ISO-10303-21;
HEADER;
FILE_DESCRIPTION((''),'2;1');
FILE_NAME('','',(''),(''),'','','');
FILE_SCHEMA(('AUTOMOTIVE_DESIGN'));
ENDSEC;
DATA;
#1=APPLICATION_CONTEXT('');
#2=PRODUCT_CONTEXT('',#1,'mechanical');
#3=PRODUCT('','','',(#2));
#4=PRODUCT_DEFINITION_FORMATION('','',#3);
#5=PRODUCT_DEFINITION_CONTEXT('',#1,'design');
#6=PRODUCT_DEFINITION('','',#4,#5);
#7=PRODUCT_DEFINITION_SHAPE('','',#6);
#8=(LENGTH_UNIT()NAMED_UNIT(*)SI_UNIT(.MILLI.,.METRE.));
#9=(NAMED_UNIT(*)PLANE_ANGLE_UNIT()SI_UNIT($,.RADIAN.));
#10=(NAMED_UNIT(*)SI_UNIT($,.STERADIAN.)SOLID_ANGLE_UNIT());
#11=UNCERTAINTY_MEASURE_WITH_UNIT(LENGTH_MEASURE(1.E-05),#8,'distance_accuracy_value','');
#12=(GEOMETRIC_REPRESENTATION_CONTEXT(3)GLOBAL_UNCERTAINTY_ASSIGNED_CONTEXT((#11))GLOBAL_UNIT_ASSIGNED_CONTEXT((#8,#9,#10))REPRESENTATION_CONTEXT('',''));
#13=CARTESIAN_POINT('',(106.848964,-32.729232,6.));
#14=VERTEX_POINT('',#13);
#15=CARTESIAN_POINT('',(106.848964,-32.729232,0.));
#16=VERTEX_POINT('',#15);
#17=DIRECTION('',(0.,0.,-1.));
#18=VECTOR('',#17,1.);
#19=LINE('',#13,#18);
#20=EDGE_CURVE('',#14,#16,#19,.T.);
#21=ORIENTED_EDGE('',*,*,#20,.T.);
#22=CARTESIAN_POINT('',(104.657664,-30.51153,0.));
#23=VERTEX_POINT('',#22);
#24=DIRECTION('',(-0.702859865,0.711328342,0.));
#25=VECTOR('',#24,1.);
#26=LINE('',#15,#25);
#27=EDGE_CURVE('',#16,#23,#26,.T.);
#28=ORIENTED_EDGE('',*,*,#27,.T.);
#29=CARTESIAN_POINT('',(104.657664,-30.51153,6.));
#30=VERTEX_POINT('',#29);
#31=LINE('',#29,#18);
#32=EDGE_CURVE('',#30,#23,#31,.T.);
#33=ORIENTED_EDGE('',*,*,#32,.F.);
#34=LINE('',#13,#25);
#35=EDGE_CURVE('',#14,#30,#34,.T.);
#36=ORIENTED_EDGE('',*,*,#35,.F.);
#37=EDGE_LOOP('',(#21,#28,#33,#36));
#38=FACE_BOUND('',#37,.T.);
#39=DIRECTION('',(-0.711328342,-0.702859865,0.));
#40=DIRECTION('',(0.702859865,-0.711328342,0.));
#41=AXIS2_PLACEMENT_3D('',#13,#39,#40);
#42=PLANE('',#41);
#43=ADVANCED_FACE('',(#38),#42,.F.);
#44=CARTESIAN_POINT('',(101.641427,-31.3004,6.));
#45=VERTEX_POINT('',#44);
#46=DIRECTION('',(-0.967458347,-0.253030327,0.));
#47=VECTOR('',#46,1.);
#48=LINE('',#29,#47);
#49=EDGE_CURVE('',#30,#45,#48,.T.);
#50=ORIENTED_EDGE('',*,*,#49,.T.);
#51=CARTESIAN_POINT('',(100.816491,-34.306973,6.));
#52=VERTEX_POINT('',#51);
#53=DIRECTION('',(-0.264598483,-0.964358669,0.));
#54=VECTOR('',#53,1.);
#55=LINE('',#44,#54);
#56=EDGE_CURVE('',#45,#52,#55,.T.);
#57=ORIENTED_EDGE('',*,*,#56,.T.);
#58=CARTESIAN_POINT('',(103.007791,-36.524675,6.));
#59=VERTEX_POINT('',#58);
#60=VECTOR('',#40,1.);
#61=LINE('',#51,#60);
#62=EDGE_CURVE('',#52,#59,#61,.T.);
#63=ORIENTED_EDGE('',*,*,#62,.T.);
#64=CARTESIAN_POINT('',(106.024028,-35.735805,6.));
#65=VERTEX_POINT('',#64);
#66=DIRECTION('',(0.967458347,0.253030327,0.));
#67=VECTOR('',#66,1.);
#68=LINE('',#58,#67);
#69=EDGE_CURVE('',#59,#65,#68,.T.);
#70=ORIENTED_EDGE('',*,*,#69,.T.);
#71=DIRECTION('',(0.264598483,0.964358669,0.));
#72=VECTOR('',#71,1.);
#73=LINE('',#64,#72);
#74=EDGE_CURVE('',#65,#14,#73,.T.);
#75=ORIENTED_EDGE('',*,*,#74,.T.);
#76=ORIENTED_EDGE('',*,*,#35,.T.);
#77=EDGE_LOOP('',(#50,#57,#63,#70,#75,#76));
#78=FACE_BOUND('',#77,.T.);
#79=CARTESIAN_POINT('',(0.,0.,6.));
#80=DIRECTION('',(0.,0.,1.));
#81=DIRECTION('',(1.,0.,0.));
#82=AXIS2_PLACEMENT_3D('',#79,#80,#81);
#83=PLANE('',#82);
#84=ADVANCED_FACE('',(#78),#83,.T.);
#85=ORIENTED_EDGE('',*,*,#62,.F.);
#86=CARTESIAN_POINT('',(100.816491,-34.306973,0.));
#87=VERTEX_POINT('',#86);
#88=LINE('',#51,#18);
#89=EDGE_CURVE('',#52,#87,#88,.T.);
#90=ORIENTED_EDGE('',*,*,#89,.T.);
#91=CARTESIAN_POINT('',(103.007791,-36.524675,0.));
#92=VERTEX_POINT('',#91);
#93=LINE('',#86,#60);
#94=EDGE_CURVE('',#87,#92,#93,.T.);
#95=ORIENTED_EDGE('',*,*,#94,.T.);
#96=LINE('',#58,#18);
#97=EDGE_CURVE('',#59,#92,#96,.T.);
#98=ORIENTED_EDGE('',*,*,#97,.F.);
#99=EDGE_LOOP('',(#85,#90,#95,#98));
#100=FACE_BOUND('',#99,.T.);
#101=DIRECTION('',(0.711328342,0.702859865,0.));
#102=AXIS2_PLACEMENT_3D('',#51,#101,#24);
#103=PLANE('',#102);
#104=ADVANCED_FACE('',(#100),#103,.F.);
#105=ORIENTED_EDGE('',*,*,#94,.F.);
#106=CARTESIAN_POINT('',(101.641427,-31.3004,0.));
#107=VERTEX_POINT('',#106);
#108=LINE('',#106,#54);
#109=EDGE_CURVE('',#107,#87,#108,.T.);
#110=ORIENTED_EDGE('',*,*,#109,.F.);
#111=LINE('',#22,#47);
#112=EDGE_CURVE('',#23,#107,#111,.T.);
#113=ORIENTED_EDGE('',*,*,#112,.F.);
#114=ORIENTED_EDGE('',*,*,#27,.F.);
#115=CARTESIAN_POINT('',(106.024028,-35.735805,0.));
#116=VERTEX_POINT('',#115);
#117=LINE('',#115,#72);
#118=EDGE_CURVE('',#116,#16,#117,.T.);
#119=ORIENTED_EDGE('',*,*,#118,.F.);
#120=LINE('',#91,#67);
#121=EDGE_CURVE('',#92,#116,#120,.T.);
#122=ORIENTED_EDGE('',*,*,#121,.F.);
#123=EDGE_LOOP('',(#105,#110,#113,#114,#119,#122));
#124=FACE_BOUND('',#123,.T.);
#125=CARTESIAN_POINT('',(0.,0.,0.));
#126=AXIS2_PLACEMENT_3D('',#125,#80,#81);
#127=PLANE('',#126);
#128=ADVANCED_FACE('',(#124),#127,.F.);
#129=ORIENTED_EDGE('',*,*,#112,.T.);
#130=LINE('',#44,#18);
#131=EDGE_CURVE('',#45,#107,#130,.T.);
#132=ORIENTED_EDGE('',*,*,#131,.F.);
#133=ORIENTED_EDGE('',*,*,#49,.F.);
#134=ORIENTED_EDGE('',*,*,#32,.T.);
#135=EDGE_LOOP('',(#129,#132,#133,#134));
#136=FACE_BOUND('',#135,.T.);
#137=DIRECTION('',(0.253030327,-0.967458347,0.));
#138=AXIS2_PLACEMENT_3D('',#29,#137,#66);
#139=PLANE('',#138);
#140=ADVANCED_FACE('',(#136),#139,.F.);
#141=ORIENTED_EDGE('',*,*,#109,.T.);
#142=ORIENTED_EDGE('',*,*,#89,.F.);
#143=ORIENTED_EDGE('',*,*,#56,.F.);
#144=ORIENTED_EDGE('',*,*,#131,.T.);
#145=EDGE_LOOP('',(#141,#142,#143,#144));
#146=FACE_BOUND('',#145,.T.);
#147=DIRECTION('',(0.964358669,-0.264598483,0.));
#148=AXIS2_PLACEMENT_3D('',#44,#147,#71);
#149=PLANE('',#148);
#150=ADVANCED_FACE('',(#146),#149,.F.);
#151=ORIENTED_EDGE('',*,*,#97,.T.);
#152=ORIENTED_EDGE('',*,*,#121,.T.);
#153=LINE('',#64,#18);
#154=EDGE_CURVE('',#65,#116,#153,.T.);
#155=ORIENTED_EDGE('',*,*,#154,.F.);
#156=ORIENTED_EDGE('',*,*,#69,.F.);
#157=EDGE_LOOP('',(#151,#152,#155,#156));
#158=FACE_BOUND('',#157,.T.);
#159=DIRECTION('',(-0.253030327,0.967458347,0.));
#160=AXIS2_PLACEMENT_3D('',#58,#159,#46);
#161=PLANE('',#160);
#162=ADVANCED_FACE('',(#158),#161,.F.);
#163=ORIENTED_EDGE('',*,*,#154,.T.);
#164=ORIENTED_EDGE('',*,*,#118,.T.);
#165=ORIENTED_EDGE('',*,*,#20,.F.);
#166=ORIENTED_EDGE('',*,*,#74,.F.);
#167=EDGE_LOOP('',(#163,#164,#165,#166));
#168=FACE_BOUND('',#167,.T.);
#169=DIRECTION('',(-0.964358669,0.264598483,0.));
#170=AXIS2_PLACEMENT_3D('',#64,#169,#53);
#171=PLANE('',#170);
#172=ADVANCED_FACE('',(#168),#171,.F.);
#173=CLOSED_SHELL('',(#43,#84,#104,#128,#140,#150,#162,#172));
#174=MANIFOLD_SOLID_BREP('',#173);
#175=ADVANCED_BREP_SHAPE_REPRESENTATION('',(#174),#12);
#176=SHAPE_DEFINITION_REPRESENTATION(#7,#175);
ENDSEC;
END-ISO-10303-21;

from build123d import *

# Parameters (mm, degrees)
BOSS_EXTRUDE1_DEPTH = 6


with BuildPart() as part:
    # Sketch1 → Boss-Extrude1 (new body)
    with BuildSketch(Plane.XY):
        Polygon((104.657663983, -30.511529553), (101.641427362, -31.300400041), (100.816490934, -34.306972822), (103.007791127, -36.524675116), (106.024027748, -35.735804628), (106.848964176, -32.729231847), align=None)
    extrude(amount=BOSS_EXTRUDE1_DEPTH)


solid = part.part
